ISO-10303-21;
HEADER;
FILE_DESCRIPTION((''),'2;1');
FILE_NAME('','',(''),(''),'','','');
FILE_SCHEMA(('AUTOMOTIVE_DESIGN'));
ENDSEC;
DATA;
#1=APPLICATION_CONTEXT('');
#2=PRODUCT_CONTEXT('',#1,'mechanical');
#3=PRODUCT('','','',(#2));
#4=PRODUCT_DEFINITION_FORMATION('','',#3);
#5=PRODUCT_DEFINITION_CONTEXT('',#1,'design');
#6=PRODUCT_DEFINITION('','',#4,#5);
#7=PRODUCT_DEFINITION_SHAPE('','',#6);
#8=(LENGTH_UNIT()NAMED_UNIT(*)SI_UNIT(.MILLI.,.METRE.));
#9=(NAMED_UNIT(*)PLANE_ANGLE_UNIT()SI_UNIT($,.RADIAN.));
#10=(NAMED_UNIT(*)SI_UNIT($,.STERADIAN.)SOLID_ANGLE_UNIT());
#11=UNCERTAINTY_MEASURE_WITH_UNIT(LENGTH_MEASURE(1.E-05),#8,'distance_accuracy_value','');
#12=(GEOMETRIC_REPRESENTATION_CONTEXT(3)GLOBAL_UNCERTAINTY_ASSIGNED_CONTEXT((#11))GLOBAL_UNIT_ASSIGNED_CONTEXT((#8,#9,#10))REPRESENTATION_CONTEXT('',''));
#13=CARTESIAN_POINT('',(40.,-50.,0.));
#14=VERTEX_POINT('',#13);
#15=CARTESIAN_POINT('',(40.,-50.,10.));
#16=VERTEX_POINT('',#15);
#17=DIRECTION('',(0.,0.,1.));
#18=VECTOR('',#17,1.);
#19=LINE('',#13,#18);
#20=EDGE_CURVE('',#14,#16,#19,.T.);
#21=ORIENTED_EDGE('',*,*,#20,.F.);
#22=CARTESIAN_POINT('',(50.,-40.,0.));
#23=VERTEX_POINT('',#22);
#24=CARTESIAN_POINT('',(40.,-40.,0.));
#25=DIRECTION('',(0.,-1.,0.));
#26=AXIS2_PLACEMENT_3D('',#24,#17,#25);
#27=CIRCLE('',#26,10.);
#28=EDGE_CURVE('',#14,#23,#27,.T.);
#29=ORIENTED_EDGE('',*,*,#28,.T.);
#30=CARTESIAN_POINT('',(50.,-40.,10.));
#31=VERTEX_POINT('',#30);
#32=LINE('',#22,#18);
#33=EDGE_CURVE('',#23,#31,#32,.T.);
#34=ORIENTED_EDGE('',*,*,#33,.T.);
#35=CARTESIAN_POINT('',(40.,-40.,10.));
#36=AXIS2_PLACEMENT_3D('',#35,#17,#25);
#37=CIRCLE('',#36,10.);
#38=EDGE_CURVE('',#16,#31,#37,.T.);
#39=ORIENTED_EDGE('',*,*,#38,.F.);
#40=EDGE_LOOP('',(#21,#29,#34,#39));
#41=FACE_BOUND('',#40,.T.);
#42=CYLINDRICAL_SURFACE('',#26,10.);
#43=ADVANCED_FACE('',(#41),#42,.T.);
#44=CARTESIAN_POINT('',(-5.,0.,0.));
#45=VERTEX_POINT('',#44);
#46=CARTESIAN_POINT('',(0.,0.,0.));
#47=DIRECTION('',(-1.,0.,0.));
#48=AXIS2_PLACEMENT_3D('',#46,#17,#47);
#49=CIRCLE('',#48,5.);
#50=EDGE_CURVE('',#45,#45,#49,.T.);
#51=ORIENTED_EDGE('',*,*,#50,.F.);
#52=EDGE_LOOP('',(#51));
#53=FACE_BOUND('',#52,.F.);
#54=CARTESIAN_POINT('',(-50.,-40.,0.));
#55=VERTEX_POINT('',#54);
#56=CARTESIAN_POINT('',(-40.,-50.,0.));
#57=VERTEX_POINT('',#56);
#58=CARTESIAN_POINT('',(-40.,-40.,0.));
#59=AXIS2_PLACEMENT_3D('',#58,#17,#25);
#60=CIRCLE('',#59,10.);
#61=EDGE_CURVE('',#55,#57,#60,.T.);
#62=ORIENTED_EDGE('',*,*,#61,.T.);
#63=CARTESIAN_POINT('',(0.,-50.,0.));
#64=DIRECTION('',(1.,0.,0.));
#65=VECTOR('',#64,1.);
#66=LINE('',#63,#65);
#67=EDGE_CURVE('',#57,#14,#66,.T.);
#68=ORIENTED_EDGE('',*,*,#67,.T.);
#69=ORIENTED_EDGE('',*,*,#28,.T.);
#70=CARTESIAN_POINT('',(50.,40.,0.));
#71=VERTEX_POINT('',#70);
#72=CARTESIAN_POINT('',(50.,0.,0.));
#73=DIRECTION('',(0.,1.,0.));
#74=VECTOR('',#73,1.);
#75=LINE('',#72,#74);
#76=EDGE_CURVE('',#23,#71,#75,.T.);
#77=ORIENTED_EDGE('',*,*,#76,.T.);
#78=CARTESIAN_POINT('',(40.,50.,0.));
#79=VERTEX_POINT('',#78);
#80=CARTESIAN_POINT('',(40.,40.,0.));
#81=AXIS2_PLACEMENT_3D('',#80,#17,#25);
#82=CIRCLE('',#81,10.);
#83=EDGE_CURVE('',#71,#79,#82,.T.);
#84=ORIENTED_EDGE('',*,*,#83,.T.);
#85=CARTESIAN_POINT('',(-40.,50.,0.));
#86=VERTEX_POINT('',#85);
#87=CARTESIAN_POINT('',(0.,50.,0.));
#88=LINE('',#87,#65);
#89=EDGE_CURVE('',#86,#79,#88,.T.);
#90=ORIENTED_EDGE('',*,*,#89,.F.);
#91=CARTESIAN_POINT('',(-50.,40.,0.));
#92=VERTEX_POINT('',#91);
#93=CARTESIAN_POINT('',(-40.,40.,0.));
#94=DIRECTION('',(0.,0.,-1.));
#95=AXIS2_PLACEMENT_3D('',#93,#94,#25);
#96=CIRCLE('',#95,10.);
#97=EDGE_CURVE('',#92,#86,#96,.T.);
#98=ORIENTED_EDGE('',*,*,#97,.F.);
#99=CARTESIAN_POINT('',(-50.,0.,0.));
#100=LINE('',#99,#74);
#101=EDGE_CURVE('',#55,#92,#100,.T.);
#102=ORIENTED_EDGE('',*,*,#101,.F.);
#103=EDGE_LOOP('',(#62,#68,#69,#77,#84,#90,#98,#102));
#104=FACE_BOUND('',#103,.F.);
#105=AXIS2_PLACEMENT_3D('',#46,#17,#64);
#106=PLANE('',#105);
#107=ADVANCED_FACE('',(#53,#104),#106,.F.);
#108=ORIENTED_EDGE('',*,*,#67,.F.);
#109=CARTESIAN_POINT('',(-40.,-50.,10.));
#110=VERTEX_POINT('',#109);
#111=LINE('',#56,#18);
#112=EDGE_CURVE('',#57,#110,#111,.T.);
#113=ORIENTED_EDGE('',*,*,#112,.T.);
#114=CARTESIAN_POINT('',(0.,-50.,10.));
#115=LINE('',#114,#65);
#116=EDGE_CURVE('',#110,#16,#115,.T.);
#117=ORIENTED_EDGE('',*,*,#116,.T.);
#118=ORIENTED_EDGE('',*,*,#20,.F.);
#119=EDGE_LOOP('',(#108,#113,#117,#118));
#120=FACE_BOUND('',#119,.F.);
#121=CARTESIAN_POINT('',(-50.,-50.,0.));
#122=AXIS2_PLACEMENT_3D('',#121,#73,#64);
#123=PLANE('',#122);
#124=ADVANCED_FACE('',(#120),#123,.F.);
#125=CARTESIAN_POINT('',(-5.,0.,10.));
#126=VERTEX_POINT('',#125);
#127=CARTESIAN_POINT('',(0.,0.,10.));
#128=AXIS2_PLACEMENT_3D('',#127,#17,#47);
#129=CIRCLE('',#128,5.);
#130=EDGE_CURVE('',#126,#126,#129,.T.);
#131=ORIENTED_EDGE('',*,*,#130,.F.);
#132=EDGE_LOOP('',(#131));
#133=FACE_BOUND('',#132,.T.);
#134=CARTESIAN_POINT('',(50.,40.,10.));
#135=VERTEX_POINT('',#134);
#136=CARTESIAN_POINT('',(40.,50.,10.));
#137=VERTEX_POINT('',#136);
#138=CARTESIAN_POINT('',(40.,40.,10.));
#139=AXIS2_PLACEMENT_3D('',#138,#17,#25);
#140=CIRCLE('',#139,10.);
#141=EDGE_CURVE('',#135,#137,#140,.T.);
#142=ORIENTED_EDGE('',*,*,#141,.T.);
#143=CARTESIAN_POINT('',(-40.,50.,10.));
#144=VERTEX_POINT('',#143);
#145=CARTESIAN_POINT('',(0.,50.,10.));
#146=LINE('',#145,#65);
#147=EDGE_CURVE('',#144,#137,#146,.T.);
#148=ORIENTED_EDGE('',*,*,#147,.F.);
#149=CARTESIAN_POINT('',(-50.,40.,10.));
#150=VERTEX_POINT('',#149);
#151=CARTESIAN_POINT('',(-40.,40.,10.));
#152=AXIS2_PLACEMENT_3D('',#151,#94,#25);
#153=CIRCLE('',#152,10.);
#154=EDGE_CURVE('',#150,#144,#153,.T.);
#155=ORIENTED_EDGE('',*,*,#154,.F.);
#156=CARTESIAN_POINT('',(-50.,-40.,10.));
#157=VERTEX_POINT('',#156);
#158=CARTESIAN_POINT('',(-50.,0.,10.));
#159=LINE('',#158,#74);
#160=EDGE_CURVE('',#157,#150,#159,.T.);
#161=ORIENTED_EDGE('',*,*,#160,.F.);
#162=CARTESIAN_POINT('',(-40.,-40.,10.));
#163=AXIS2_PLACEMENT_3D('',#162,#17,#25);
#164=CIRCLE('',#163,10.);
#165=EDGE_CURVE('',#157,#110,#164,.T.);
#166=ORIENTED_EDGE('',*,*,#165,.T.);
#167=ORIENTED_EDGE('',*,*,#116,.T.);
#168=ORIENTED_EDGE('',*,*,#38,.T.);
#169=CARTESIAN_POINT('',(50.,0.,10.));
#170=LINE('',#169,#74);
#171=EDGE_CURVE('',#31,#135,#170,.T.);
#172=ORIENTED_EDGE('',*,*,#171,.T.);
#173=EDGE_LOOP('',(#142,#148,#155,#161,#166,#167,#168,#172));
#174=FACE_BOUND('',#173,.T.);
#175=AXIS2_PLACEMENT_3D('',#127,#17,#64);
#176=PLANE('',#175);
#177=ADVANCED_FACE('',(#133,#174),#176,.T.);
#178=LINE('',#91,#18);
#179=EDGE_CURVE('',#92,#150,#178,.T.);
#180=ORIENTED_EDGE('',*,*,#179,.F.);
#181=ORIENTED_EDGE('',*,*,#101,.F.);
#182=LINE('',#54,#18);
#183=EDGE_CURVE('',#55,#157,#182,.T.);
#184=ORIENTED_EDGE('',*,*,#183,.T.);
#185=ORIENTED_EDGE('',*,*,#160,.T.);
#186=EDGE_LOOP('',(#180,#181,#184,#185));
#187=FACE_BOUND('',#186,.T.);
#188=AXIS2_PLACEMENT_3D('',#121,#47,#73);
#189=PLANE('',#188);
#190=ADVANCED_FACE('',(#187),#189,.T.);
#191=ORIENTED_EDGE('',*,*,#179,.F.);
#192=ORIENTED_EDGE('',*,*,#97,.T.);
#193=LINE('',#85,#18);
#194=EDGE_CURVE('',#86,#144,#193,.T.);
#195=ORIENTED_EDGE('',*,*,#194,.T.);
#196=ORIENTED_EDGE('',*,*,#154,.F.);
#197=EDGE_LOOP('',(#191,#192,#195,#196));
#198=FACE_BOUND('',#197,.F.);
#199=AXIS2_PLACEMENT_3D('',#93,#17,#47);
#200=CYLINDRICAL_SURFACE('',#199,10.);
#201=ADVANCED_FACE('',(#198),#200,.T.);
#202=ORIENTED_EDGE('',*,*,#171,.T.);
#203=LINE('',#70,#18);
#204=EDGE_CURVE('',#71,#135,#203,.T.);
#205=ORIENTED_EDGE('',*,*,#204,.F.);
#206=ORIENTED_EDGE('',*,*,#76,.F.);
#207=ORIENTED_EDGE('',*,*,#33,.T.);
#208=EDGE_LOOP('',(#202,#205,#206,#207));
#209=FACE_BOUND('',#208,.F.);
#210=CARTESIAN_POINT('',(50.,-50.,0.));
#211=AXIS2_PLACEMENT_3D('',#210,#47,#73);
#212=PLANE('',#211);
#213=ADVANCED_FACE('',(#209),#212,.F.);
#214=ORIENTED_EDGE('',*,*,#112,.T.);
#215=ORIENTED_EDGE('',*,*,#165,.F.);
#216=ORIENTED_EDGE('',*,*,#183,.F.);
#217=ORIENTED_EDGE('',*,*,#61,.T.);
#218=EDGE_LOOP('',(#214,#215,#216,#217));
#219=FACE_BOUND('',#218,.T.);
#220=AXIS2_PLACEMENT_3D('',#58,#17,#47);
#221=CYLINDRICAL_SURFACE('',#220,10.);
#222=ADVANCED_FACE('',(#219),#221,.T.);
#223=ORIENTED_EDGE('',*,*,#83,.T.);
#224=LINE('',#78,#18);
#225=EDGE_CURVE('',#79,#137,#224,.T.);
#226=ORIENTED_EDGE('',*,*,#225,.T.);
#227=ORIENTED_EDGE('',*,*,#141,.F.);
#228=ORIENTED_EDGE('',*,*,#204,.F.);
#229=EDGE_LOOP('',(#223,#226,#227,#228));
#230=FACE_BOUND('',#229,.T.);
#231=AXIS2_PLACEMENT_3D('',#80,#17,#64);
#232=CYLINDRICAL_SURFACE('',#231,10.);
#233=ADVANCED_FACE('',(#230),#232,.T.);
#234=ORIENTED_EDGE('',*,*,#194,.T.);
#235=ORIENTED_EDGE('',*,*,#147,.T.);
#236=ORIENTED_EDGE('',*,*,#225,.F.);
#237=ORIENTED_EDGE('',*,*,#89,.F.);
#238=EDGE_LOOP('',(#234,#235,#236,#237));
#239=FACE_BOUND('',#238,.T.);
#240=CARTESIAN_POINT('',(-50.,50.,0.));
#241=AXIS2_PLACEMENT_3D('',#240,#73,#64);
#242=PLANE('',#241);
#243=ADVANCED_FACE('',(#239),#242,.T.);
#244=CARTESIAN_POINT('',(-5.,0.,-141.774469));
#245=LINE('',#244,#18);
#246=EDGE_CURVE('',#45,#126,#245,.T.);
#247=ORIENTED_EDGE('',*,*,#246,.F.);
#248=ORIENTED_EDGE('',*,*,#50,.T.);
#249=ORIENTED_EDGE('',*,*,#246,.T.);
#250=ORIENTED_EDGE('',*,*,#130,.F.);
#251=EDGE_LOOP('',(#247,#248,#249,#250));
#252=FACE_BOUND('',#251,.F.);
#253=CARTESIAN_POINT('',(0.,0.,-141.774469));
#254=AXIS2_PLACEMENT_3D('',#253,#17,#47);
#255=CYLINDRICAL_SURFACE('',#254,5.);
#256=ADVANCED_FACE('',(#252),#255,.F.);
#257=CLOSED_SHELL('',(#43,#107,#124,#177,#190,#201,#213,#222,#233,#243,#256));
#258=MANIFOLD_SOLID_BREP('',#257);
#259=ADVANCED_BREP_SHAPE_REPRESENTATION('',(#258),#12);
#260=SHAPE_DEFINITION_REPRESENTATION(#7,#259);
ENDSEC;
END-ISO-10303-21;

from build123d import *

# Parameters (mm, degrees)
F0_W     = 100
F0_H     = 100
F1_DEPTH = 10
F2_R     = 10
F3_D     = 10


with BuildPart() as f1:
    # F0 (on Top) → F1 (new body)
    with BuildSketch(Plane.XY):
        Rectangle(F0_W, F0_H)
    extrude(amount=F1_DEPTH)

    # F2
    f2_edges = [f1.edges().sort_by_distance(p)[0] for p in [
        (-50, -50, 5),
        (50, -50, 5),
        (50, 50, 5),
        (-50, 50, 5),
    ]]
    fillet(f2_edges, radius=F2_R)

    # F3 (through all)
    with Locations(Plane(origin=(0, 0, 0), x_dir=(1, 0, 0), z_dir=(0, 0, -1))):
        with Locations((0, 0)):
            Hole(F3_D / 2)


solid = f1.part
